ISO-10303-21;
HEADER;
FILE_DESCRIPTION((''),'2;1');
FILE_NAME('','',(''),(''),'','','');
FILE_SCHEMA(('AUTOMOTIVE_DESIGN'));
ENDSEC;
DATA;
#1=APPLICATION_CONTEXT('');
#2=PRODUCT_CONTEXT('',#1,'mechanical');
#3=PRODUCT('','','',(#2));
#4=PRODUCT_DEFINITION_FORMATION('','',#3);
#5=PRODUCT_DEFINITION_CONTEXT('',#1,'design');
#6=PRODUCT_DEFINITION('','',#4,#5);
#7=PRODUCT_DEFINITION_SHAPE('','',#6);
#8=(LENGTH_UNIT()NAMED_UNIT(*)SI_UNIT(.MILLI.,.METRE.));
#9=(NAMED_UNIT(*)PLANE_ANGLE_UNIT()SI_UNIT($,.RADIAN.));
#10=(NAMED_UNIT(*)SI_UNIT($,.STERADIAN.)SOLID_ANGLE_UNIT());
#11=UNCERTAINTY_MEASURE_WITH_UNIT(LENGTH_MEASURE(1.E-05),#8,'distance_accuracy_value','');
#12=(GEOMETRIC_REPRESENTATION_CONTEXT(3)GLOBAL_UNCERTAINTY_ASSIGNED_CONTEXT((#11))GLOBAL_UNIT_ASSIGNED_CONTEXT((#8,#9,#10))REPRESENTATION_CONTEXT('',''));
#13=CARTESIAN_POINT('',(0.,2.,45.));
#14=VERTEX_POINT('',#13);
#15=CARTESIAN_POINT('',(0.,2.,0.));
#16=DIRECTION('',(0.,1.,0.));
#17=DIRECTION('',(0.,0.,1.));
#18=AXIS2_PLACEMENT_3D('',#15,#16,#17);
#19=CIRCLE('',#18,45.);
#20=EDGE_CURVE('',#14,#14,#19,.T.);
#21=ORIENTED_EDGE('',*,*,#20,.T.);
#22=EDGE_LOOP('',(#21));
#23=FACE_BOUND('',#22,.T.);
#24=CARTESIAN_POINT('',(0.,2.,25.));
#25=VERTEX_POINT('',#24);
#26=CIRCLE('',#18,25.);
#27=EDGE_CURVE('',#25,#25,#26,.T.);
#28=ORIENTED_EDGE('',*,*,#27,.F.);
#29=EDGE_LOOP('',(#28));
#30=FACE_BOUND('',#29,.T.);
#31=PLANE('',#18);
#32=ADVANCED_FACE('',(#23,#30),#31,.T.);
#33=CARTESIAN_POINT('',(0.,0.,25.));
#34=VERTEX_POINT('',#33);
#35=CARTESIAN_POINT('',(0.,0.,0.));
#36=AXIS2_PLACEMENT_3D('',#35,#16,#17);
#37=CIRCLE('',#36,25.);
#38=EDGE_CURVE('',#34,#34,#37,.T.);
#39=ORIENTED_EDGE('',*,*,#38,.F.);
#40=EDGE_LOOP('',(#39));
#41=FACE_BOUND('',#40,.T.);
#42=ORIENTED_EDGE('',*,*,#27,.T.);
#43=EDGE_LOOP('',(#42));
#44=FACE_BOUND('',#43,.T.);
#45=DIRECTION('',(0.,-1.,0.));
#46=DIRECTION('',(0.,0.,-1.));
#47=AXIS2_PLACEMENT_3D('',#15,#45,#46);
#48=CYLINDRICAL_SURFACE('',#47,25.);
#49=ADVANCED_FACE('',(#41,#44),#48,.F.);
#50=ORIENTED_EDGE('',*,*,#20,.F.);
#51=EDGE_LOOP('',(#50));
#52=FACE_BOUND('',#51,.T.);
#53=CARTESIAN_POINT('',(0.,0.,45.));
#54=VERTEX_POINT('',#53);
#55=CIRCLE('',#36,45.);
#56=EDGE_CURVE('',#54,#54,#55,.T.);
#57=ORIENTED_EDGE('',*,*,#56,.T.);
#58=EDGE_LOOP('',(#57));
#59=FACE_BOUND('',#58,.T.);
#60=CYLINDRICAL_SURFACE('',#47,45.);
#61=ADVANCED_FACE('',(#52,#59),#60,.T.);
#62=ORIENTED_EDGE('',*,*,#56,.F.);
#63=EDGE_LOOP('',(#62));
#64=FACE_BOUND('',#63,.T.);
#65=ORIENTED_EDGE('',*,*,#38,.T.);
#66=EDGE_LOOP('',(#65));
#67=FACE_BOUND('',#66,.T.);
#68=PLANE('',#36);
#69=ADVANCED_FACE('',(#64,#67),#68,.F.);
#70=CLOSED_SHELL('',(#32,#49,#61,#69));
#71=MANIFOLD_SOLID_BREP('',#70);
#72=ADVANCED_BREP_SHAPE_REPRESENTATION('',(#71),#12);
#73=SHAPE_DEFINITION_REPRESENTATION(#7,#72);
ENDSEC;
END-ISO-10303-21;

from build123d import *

# Parameters (mm, degrees)
SKIZZE1_R                       = 45
SKIZZE1_R_2                     = 25
AUFSATZ_LINEAR_AUSTRAGEN1_DEPTH = 2


with BuildPart() as part:
    # Skizze1 → Aufsatz-Linear austragen1 (new body)
    with BuildSketch(Plane(origin=(0, 0, 0), x_dir=(1, 0, 0), z_dir=(0, 1, 0))):
        with Locations(Location((0, 0, 0), (0, 0, 270))):
            Circle(SKIZZE1_R)
        with Locations(Location((0, 0, 0), (0, 0, 270))):
            Circle(SKIZZE1_R_2, mode=Mode.SUBTRACT)
    extrude(amount=AUFSATZ_LINEAR_AUSTRAGEN1_DEPTH)


solid = part.part
